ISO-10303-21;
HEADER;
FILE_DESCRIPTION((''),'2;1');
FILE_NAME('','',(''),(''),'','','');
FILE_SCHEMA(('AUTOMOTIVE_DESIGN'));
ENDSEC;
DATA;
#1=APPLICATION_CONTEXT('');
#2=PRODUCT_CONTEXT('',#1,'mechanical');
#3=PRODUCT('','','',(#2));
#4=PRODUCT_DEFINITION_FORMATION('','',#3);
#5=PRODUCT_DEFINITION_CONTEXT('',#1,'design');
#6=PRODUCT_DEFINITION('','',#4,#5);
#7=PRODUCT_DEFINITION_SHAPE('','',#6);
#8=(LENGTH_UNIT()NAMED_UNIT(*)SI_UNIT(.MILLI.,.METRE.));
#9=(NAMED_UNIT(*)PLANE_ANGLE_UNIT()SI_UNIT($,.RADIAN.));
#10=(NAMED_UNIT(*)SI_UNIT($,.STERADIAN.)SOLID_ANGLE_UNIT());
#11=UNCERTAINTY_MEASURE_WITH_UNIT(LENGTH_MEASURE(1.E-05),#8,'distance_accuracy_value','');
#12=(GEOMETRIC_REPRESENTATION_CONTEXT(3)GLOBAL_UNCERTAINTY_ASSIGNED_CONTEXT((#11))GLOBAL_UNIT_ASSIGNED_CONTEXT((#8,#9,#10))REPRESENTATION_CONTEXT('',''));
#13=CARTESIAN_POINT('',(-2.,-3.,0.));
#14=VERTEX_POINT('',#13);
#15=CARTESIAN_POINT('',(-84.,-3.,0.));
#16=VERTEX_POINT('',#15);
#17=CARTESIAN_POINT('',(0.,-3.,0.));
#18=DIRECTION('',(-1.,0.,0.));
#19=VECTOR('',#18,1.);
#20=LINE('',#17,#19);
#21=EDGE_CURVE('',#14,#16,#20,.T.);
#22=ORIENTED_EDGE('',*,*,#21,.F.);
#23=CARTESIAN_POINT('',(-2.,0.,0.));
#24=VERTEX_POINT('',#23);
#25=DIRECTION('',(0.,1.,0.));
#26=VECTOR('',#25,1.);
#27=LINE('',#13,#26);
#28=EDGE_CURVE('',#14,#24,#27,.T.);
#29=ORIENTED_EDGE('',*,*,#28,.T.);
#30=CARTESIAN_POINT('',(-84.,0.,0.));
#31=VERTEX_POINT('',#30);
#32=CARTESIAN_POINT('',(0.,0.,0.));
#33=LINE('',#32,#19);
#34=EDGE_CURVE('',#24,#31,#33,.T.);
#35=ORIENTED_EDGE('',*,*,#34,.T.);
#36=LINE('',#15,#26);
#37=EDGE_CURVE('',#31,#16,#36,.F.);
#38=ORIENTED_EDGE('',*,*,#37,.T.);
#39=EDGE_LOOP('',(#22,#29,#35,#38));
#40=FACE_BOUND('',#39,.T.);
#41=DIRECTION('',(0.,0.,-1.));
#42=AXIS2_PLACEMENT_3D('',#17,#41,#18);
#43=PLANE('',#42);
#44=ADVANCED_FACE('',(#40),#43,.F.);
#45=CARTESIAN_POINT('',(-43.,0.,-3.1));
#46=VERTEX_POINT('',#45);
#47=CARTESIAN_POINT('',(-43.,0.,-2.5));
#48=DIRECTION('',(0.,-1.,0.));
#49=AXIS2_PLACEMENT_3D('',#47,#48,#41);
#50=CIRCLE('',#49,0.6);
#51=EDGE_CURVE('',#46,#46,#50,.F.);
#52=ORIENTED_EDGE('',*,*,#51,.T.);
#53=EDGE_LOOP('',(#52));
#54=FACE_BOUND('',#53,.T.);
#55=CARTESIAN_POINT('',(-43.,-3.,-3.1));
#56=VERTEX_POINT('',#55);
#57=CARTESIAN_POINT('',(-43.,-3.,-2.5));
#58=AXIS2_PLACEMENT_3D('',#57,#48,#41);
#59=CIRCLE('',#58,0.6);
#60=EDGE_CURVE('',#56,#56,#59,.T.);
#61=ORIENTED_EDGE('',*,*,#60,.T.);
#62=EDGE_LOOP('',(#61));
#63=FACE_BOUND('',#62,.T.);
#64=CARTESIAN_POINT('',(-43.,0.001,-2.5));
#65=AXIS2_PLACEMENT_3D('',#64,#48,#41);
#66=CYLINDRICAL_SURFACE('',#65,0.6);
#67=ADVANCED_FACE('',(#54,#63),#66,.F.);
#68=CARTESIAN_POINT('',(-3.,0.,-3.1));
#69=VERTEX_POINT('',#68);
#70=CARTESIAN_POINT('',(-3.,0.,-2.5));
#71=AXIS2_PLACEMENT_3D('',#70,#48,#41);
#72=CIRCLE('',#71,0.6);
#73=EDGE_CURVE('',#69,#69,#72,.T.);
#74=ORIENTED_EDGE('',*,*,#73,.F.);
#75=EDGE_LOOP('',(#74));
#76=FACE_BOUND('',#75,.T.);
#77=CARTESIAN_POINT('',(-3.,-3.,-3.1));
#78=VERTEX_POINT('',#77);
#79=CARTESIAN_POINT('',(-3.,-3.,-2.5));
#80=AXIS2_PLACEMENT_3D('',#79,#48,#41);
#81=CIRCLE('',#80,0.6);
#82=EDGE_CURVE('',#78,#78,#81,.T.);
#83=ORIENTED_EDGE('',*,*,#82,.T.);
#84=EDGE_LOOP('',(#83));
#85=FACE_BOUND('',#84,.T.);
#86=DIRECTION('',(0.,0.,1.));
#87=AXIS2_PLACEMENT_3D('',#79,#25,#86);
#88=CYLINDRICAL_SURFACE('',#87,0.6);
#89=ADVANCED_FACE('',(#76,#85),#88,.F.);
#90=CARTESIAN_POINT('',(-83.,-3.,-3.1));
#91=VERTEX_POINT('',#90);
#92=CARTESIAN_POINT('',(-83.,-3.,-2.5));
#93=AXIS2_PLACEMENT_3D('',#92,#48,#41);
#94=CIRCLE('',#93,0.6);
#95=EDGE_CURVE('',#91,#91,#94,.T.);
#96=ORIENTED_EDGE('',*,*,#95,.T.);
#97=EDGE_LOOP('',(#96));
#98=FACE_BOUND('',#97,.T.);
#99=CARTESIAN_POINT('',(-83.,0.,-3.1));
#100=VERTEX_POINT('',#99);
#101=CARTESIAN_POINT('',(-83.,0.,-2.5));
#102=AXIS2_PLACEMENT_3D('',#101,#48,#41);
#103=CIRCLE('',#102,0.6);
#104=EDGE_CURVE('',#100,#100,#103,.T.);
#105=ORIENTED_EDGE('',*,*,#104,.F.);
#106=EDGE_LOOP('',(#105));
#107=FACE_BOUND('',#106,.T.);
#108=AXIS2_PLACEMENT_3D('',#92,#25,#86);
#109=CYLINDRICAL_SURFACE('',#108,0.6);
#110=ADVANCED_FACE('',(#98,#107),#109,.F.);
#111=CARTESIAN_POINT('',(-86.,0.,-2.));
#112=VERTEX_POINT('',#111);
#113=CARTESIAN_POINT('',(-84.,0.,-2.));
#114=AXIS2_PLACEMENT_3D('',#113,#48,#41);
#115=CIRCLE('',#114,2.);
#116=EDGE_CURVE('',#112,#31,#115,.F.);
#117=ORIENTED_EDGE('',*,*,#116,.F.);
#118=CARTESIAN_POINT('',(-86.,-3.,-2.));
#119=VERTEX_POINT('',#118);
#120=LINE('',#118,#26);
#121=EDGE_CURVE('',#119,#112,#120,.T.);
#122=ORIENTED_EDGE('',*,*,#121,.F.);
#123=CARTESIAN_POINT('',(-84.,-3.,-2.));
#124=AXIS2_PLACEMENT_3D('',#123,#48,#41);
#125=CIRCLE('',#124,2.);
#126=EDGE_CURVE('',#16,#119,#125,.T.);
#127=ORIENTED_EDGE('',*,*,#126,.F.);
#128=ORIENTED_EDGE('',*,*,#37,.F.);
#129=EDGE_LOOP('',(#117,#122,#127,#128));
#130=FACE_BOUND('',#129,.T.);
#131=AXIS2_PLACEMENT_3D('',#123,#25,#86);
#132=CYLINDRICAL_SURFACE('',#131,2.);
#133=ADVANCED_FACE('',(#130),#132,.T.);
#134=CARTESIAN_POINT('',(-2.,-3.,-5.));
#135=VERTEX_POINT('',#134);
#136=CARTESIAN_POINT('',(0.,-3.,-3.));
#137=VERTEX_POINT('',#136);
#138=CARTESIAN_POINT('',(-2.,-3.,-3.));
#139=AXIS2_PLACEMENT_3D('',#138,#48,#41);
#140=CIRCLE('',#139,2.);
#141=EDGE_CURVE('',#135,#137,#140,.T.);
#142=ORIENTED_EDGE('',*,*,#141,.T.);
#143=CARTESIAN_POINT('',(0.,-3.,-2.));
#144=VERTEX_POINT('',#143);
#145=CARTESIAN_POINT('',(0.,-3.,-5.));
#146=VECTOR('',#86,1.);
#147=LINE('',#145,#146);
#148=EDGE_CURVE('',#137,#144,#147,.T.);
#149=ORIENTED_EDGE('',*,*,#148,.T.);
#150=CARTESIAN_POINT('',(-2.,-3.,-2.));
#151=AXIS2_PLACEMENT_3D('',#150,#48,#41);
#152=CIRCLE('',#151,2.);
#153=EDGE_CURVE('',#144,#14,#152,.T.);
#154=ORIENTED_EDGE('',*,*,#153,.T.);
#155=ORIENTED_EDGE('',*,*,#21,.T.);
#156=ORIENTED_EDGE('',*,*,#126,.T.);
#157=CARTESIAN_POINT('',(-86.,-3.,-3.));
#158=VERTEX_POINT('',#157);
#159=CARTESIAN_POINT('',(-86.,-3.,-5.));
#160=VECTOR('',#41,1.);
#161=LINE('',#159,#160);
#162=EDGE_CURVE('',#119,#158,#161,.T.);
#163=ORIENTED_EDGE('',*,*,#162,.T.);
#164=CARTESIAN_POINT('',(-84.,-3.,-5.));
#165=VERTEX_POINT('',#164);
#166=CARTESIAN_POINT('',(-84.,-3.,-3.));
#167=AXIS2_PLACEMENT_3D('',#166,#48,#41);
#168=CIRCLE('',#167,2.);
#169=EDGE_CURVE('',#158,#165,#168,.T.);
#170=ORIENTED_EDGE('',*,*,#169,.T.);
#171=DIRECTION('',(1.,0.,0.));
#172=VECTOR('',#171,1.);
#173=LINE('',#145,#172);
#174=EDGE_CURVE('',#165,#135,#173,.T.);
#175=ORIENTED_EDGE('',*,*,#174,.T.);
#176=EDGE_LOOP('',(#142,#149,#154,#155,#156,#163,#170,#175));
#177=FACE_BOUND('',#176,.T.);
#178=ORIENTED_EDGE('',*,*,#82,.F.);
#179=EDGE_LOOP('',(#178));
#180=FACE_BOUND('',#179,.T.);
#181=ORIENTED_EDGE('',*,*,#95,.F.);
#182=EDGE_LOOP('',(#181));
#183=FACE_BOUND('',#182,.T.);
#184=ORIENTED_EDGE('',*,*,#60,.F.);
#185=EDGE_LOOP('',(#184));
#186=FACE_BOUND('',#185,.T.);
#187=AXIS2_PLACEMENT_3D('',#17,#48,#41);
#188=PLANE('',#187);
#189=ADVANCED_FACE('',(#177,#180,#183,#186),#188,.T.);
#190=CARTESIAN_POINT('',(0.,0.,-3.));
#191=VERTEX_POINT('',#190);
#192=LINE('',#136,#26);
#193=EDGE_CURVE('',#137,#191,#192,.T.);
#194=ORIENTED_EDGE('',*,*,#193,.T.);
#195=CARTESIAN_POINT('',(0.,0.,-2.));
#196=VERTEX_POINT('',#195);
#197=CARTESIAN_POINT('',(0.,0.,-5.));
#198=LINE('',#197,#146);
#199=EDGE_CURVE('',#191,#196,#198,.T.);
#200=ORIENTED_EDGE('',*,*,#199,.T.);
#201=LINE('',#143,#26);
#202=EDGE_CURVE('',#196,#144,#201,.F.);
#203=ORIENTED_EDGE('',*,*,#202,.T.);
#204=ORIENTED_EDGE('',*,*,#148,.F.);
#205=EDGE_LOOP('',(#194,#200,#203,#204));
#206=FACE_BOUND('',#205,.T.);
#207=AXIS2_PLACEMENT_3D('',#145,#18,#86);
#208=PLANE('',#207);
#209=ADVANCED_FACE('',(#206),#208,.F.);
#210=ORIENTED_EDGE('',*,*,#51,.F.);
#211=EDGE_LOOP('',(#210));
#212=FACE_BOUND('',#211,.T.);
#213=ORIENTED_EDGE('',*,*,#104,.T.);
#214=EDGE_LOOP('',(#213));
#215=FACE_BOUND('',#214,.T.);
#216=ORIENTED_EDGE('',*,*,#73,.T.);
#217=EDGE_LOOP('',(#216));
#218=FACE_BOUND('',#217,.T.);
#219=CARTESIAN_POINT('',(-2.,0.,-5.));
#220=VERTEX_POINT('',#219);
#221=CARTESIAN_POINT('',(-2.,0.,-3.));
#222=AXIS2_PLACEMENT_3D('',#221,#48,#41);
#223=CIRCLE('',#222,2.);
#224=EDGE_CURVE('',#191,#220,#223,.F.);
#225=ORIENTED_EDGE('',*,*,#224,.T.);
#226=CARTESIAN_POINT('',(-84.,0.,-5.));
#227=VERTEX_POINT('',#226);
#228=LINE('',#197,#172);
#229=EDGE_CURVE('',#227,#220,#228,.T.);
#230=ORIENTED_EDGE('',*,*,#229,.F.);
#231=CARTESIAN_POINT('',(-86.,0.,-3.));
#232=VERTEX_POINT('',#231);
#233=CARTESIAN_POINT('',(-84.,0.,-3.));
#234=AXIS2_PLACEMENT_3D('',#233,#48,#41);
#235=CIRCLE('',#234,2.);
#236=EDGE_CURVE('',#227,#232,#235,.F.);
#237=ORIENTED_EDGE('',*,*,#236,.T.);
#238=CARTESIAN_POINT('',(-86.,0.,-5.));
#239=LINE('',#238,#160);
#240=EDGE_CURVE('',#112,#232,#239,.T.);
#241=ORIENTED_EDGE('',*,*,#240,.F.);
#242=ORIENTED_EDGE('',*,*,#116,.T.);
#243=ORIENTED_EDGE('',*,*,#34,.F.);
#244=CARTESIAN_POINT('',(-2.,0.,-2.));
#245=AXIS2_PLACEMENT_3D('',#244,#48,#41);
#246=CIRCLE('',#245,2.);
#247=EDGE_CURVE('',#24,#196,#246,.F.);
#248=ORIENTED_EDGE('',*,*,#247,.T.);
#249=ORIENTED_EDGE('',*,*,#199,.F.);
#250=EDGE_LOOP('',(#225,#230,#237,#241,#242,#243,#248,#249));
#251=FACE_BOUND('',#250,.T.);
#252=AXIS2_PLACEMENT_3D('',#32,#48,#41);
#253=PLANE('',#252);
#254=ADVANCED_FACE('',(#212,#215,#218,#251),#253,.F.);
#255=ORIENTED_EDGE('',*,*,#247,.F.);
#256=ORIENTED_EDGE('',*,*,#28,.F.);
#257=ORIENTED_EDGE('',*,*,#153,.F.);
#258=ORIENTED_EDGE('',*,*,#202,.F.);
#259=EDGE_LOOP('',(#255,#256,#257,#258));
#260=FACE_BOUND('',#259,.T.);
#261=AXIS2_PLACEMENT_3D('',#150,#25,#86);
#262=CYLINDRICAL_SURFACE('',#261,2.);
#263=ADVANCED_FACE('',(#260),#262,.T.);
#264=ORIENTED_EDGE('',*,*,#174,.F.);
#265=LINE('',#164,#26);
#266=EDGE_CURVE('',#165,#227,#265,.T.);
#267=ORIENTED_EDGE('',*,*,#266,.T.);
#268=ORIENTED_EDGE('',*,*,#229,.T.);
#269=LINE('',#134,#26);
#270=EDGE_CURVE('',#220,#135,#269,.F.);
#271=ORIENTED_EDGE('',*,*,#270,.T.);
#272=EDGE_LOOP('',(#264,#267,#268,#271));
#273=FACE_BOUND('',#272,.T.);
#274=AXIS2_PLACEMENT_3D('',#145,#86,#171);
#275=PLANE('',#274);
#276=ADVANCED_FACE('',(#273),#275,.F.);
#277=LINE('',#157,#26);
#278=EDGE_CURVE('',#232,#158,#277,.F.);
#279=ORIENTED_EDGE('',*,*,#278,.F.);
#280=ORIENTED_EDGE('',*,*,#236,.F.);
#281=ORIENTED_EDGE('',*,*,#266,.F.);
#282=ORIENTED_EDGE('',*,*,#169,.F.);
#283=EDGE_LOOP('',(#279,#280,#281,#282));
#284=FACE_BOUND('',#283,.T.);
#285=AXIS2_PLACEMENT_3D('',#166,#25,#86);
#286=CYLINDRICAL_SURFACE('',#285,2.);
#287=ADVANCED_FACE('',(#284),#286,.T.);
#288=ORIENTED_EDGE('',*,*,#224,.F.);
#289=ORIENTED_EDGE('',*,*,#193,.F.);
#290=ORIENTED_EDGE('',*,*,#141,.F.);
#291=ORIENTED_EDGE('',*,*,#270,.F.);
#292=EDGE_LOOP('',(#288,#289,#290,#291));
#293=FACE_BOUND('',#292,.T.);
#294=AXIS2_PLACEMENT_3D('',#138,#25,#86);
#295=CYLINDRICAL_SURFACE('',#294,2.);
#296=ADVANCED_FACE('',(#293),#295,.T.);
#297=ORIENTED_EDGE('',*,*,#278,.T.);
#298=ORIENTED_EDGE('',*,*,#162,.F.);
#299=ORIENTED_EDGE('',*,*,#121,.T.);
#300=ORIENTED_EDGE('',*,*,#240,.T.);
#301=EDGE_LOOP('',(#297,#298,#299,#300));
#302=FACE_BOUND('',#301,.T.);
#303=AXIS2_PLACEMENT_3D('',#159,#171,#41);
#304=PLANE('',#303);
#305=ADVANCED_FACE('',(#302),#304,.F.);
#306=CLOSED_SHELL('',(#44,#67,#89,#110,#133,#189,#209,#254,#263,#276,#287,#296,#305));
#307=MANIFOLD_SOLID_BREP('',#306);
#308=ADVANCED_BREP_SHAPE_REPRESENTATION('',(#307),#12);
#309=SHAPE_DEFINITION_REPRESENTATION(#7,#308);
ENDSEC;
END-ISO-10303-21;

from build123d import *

# Parameters (mm, degrees)
SKETCH1_W           = 86
SKETCH1_H           = 5
SKETCH1_R           = 0.6
BOSS_EXTRUDE1_DEPTH = 3
FILLET1_R           = 2
CUT_EXTRUDE1_REACH  = 88.197
SKETCH3_R           = 0.6


with BuildPart() as part:
    # Sketch1 → Boss-Extrude1 (new body)
    with BuildSketch(Plane(origin=(0, 0, 0), x_dir=(-1, 0, 0), z_dir=(0, -1, 0))):
        with Locations((43, 2.5)):
            Rectangle(SKETCH1_W, SKETCH1_H)
        with Locations(Location((83, 2.5, 0), (0, 0, 90))):
            Circle(SKETCH1_R, mode=Mode.SUBTRACT)
        with Locations(Location((3, 2.5, 0), (0, 0, 90))):
            Circle(SKETCH1_R, mode=Mode.SUBTRACT)
    extrude(amount=BOSS_EXTRUDE1_DEPTH)

    # Fillet1
    fillet1_edges = [part.edges().sort_by_distance(p)[0] for p in [
        (-86, -1.5, 0),
        (0, -1.5, 0),
        (0, -1.5, -5),
        (-86, -1.5, -5),
    ]]
    fillet(fillet1_edges, radius=FILLET1_R)

    # Sketch3 → Cut-Extrude1 (cut, up to next)
    with BuildSketch(Plane.XZ.offset(3), mode=Mode.PRIVATE) as cut_extrude1_sk1:
        with Locations(Location((-43, -2.5, 0), (0, 0, 270))):
            Circle(SKETCH3_R)
    cut_extrude1_tool1 = extrude(cut_extrude1_sk1.sketch, amount=-CUT_EXTRUDE1_REACH, mode=Mode.PRIVATE) & part.part
    add(cut_extrude1_tool1.solids().sort_by_distance((-43, -3, -2.5))[0], mode=Mode.SUBTRACT)


solid = part.part
